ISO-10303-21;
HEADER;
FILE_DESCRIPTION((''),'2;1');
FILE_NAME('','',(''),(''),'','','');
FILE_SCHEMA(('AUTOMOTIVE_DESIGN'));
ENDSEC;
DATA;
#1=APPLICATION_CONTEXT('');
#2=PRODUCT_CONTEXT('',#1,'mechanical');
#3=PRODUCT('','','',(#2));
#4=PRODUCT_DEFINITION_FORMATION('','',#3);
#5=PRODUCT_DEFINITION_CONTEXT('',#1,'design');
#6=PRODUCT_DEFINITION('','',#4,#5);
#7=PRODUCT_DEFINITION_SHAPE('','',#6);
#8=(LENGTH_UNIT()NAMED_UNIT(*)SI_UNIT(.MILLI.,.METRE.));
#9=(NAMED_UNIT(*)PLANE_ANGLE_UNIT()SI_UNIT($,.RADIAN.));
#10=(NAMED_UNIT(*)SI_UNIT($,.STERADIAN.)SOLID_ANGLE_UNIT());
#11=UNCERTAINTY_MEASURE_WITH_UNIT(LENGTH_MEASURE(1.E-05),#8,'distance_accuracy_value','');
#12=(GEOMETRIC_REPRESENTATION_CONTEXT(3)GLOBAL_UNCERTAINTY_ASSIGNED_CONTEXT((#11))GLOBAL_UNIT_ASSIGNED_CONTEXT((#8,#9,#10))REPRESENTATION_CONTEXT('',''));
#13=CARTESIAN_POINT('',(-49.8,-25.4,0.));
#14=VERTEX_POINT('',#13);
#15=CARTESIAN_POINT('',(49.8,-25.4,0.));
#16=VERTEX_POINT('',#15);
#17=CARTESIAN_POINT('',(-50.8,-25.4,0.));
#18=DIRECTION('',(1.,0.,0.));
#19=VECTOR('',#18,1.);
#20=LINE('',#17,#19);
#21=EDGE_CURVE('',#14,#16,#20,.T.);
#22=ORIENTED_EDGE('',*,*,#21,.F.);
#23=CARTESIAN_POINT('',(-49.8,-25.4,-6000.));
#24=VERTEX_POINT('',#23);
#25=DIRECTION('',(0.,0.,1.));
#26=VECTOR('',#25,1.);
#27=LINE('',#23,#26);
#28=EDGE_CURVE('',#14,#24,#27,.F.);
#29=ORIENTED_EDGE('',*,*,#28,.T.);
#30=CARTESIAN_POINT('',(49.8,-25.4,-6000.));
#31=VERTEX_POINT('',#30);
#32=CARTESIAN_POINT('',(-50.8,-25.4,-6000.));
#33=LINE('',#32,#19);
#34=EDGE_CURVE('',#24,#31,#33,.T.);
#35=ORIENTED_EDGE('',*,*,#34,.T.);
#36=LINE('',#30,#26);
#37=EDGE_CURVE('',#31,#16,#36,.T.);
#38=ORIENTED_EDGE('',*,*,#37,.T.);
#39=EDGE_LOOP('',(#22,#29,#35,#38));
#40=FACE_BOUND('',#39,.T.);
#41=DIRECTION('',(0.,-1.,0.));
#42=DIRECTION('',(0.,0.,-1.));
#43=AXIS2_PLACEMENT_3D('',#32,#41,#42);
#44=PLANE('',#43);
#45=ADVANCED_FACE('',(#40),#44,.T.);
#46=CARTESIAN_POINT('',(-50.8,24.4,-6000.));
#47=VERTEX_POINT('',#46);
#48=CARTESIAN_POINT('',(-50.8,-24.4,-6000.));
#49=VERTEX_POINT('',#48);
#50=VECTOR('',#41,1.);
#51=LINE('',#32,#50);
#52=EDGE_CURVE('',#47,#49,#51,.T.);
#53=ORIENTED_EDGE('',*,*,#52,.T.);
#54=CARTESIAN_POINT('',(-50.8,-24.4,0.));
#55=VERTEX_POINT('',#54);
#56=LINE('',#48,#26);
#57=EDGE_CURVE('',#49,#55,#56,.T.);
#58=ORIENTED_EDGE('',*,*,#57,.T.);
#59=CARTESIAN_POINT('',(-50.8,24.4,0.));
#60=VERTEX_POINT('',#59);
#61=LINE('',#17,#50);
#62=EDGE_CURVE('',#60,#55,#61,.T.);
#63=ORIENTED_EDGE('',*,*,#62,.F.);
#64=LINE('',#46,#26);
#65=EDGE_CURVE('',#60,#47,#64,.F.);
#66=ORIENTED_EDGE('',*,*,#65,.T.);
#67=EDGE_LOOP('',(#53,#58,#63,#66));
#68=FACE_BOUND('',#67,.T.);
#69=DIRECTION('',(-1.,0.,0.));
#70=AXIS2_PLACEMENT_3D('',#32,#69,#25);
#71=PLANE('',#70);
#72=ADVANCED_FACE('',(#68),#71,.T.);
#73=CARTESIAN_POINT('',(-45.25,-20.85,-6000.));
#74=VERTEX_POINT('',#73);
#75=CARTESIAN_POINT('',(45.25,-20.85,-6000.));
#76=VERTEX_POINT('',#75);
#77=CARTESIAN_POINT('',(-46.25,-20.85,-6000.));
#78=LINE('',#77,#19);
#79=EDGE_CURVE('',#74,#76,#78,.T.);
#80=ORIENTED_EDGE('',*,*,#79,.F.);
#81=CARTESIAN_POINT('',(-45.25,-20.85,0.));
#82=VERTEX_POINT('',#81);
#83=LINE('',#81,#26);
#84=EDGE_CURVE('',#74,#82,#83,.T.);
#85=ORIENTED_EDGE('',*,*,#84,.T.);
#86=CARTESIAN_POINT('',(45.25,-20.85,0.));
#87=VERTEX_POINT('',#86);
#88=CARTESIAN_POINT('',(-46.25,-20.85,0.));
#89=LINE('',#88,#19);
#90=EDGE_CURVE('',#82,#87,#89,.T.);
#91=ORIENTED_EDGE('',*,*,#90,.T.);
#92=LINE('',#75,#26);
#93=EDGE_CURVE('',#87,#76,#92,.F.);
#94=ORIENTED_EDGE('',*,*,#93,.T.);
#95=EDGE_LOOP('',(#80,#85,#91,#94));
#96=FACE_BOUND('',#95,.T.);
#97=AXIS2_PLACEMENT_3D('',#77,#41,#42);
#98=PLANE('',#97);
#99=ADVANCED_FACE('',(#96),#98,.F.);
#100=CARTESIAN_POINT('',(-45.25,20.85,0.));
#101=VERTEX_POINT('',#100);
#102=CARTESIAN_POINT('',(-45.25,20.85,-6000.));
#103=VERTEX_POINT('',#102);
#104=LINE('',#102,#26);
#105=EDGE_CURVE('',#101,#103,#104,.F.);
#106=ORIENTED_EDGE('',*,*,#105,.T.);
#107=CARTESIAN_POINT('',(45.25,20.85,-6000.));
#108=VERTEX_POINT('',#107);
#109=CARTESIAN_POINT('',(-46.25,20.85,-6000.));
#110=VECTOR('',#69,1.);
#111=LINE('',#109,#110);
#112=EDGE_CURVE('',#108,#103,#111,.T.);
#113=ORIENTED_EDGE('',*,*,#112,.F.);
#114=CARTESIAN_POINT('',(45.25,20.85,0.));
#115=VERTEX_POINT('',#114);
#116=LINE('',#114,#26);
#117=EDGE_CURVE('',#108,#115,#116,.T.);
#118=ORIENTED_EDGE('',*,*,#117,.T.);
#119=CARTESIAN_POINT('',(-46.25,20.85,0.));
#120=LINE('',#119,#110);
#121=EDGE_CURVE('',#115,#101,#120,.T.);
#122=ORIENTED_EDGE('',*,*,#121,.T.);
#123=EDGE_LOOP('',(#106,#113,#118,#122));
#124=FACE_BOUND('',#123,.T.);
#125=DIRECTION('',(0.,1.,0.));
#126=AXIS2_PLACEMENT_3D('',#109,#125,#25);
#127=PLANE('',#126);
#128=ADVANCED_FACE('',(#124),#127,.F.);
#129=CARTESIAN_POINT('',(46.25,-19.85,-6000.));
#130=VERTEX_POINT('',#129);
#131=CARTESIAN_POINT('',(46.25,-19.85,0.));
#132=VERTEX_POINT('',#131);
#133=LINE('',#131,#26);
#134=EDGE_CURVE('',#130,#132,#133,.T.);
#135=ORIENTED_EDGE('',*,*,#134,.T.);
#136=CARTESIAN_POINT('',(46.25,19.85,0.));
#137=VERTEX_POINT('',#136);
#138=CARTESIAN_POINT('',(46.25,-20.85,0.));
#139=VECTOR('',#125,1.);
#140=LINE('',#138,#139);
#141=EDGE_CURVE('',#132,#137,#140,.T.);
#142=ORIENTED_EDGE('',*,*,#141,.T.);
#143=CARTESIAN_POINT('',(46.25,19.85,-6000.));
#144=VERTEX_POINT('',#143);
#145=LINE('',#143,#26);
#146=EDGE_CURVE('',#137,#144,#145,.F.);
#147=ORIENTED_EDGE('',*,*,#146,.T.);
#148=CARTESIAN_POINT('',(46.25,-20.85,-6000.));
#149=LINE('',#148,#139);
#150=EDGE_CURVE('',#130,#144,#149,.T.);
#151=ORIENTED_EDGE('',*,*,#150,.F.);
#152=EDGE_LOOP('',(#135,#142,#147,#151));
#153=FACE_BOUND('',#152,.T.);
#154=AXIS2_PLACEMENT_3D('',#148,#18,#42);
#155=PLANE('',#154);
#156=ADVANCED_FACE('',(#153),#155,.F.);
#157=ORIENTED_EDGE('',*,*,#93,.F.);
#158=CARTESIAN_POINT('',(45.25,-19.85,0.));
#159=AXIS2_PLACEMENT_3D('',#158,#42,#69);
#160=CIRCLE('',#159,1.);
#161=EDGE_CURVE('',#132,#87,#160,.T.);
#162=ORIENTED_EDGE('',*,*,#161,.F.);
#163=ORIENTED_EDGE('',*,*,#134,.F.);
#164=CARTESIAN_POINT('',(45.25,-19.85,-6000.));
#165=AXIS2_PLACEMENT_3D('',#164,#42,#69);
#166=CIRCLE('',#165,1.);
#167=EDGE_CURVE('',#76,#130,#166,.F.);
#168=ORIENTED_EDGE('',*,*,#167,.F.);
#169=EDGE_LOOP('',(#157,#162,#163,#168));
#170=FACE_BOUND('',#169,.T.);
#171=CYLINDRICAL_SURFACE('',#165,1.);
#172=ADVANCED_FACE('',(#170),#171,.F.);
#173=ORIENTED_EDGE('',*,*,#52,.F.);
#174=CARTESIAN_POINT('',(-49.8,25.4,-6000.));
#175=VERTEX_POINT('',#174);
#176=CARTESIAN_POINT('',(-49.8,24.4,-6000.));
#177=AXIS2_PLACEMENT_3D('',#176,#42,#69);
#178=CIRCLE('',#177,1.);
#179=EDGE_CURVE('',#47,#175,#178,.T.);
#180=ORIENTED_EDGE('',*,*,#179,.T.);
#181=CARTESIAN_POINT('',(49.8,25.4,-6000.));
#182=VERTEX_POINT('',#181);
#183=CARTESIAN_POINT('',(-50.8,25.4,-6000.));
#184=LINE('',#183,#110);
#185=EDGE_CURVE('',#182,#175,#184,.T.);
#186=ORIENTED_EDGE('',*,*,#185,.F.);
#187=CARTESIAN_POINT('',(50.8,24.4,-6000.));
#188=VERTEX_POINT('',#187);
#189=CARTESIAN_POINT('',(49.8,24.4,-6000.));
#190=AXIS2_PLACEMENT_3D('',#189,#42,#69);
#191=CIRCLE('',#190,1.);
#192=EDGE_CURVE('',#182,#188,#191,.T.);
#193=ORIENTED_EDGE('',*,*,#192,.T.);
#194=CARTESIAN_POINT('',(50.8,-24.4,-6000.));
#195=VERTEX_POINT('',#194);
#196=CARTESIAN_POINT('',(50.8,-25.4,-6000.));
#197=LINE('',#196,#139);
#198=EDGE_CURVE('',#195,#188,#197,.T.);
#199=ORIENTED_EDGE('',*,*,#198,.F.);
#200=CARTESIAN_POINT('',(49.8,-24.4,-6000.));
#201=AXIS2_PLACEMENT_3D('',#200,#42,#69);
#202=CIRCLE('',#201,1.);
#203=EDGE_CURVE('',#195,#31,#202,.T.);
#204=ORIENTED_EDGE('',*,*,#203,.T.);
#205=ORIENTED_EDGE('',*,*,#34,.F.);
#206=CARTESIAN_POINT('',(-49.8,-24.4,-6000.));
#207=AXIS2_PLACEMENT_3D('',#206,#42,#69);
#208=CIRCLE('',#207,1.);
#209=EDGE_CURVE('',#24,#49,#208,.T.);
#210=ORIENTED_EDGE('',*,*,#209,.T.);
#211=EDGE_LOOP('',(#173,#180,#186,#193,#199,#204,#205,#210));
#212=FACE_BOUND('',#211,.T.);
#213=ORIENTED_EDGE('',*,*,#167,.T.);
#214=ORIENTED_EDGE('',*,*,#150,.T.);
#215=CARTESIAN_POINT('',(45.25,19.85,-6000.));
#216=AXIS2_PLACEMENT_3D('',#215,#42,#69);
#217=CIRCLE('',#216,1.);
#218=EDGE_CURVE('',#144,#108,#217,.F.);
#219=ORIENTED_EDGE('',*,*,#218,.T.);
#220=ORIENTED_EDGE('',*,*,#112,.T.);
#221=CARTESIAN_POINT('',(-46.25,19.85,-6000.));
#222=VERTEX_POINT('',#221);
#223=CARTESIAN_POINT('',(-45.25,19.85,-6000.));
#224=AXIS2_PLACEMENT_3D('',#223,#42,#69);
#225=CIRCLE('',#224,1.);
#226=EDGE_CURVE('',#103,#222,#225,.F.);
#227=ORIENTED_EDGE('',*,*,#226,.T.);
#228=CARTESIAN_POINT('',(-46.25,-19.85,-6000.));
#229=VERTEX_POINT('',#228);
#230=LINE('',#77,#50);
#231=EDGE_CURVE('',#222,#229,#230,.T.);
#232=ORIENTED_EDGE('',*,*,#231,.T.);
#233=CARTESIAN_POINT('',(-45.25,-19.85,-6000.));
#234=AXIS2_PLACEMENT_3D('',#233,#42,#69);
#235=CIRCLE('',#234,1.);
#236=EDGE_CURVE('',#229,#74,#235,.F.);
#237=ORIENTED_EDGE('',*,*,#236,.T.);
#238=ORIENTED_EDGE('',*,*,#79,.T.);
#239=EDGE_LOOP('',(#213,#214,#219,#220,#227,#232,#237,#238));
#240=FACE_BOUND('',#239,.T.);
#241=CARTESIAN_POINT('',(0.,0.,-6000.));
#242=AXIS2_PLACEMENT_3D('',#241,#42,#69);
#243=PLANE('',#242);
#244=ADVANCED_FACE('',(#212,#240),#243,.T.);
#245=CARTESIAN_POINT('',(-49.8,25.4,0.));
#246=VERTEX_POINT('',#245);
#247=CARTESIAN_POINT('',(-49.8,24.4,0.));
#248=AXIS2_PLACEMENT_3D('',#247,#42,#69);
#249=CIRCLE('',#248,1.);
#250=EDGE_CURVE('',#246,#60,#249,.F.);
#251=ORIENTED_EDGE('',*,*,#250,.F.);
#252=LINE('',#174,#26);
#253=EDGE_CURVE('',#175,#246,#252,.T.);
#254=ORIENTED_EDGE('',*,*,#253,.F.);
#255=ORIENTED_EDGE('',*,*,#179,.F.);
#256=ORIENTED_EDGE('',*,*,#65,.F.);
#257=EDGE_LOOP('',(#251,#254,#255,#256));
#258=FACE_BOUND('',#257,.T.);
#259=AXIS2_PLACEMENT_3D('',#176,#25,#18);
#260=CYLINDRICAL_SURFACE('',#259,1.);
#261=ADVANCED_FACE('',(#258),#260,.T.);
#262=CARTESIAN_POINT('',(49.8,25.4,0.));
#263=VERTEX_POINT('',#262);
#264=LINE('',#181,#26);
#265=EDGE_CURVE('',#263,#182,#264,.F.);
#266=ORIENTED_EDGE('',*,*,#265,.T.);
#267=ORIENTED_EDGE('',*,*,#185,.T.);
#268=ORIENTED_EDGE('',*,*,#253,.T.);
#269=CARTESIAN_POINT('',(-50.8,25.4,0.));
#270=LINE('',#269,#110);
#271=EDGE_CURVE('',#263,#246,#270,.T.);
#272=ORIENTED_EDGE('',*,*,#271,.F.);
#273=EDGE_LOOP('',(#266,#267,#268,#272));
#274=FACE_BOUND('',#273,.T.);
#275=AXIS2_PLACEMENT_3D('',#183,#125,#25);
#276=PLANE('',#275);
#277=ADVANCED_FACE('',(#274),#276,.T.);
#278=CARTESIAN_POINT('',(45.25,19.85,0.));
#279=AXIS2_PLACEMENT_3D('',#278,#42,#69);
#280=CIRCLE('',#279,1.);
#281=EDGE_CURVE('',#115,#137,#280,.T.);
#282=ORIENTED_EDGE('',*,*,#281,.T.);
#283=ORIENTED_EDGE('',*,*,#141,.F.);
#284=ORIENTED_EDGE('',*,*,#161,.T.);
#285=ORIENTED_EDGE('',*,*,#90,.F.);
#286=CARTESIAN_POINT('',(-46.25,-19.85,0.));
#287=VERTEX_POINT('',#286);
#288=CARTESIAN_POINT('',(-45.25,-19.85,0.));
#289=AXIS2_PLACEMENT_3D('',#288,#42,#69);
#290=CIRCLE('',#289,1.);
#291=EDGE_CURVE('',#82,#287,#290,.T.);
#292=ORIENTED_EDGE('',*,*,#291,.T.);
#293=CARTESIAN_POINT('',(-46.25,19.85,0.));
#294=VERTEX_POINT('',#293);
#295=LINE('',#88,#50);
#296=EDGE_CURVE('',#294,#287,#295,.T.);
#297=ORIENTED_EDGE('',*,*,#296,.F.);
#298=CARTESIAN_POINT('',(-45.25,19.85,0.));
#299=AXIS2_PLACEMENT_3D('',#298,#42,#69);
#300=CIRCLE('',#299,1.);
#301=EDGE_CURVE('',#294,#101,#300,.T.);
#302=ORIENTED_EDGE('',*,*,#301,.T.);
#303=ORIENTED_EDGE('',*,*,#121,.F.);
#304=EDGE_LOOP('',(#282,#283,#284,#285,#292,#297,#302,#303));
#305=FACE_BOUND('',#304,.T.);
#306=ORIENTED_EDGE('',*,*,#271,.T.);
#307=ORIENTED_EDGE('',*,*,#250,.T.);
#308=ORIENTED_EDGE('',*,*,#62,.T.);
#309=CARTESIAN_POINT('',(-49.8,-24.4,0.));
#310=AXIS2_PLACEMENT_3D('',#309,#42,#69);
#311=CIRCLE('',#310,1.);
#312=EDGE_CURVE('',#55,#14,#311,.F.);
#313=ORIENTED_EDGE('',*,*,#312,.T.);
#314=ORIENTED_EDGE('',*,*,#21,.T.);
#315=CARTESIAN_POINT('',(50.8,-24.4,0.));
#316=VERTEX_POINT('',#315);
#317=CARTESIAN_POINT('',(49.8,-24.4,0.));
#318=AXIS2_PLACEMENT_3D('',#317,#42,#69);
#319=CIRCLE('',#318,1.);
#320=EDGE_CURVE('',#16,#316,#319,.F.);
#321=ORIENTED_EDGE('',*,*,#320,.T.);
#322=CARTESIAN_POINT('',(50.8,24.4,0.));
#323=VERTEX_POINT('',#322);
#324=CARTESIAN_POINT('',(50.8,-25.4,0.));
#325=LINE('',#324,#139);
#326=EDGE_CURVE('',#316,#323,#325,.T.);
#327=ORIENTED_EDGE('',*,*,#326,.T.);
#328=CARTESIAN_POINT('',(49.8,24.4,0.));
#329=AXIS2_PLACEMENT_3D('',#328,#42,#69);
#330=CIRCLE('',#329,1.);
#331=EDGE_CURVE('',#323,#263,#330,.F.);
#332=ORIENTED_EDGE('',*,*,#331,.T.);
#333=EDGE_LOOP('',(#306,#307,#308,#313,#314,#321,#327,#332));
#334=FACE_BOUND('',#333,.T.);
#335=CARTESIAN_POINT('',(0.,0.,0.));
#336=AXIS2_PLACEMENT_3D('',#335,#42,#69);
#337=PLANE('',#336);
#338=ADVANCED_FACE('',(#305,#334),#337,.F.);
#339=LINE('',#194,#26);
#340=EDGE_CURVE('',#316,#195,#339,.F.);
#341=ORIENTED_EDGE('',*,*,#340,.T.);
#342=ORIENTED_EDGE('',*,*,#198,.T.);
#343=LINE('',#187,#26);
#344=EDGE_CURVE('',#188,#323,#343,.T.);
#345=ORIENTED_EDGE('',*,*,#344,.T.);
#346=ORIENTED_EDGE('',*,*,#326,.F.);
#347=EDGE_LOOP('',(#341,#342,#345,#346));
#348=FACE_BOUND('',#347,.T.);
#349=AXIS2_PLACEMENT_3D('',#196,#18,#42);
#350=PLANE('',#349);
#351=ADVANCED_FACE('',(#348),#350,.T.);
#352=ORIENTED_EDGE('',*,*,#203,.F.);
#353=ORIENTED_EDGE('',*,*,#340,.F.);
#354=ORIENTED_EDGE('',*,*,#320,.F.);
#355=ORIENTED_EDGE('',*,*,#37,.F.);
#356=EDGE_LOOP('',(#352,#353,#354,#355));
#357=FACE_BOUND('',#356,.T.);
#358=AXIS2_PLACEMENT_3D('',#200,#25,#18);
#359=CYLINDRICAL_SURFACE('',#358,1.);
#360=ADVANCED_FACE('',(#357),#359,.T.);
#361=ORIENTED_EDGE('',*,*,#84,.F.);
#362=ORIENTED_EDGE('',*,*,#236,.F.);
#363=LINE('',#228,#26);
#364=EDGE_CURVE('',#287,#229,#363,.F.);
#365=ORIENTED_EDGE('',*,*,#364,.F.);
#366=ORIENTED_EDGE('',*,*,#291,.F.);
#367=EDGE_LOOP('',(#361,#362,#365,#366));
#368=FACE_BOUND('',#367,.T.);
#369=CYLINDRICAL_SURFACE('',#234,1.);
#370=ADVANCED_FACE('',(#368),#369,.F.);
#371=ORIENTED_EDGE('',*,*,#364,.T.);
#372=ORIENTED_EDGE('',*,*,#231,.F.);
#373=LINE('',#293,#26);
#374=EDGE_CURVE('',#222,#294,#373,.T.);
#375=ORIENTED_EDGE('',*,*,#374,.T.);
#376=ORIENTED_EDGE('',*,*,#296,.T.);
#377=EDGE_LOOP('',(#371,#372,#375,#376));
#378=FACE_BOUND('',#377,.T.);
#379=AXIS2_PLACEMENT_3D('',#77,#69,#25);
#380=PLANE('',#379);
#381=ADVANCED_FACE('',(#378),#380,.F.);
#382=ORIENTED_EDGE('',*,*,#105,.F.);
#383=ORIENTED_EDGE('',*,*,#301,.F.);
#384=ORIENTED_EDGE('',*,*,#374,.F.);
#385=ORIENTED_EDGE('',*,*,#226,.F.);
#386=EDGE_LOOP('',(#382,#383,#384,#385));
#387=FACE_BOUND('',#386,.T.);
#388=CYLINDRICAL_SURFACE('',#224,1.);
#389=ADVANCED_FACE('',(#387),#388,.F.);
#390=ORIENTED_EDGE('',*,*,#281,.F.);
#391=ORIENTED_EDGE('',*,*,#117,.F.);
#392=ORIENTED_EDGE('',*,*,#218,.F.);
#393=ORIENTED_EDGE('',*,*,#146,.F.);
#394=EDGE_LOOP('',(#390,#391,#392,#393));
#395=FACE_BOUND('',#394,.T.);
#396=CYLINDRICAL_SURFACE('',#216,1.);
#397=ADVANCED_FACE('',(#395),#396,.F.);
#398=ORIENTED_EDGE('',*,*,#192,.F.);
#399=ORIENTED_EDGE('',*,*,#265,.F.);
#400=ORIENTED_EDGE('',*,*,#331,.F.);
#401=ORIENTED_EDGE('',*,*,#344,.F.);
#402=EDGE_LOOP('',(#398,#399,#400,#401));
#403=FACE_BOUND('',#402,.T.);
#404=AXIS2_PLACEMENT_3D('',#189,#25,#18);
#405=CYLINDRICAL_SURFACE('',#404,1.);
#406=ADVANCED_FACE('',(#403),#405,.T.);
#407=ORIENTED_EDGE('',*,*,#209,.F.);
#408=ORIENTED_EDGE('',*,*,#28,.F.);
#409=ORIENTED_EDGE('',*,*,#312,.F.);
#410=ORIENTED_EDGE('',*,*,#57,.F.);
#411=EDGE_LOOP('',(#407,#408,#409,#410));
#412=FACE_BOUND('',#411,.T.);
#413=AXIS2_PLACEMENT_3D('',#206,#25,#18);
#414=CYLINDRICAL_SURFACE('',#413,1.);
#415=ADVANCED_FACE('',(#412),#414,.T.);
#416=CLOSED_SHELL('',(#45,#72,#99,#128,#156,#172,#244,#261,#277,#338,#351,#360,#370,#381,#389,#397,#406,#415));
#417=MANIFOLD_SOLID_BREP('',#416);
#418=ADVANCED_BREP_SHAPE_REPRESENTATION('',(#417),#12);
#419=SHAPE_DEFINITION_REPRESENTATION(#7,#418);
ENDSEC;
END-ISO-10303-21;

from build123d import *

# Parameters (mm, degrees)
CROQUIS1_W              = 101.6
CROQUIS1_H              = 50.8
CROQUIS1_W_2            = 92.5
CROQUIS1_H_2            = 41.7
SALIENTE_EXTRUIR1_DEPTH = 6000
REDONDEO1_R             = 1


with BuildPart() as part:
    # Croquis1 → Saliente-Extruir1 (new body)
    with BuildSketch(Plane.XY):
        Rectangle(CROQUIS1_W, CROQUIS1_H)
        Rectangle(CROQUIS1_W_2, CROQUIS1_H_2, mode=Mode.SUBTRACT)
    extrude(amount=-SALIENTE_EXTRUIR1_DEPTH)

    # Redondeo1
    redondeo1_edges = [part.edges().sort_by_distance(p)[0] for p in [
        (46.25, -20.85, -3000),
        (-46.25, -20.85, -3000),
        (-46.25, 20.85, -3000),
        (46.25, 20.85, -3000),
        (50.8, -25.4, -3000),
        (-50.8, -25.4, -3000),
        (-50.8, 25.4, -3000),
        (50.8, 25.4, -3000),
    ]]
    fillet(redondeo1_edges, radius=REDONDEO1_R)


solid = part.part
